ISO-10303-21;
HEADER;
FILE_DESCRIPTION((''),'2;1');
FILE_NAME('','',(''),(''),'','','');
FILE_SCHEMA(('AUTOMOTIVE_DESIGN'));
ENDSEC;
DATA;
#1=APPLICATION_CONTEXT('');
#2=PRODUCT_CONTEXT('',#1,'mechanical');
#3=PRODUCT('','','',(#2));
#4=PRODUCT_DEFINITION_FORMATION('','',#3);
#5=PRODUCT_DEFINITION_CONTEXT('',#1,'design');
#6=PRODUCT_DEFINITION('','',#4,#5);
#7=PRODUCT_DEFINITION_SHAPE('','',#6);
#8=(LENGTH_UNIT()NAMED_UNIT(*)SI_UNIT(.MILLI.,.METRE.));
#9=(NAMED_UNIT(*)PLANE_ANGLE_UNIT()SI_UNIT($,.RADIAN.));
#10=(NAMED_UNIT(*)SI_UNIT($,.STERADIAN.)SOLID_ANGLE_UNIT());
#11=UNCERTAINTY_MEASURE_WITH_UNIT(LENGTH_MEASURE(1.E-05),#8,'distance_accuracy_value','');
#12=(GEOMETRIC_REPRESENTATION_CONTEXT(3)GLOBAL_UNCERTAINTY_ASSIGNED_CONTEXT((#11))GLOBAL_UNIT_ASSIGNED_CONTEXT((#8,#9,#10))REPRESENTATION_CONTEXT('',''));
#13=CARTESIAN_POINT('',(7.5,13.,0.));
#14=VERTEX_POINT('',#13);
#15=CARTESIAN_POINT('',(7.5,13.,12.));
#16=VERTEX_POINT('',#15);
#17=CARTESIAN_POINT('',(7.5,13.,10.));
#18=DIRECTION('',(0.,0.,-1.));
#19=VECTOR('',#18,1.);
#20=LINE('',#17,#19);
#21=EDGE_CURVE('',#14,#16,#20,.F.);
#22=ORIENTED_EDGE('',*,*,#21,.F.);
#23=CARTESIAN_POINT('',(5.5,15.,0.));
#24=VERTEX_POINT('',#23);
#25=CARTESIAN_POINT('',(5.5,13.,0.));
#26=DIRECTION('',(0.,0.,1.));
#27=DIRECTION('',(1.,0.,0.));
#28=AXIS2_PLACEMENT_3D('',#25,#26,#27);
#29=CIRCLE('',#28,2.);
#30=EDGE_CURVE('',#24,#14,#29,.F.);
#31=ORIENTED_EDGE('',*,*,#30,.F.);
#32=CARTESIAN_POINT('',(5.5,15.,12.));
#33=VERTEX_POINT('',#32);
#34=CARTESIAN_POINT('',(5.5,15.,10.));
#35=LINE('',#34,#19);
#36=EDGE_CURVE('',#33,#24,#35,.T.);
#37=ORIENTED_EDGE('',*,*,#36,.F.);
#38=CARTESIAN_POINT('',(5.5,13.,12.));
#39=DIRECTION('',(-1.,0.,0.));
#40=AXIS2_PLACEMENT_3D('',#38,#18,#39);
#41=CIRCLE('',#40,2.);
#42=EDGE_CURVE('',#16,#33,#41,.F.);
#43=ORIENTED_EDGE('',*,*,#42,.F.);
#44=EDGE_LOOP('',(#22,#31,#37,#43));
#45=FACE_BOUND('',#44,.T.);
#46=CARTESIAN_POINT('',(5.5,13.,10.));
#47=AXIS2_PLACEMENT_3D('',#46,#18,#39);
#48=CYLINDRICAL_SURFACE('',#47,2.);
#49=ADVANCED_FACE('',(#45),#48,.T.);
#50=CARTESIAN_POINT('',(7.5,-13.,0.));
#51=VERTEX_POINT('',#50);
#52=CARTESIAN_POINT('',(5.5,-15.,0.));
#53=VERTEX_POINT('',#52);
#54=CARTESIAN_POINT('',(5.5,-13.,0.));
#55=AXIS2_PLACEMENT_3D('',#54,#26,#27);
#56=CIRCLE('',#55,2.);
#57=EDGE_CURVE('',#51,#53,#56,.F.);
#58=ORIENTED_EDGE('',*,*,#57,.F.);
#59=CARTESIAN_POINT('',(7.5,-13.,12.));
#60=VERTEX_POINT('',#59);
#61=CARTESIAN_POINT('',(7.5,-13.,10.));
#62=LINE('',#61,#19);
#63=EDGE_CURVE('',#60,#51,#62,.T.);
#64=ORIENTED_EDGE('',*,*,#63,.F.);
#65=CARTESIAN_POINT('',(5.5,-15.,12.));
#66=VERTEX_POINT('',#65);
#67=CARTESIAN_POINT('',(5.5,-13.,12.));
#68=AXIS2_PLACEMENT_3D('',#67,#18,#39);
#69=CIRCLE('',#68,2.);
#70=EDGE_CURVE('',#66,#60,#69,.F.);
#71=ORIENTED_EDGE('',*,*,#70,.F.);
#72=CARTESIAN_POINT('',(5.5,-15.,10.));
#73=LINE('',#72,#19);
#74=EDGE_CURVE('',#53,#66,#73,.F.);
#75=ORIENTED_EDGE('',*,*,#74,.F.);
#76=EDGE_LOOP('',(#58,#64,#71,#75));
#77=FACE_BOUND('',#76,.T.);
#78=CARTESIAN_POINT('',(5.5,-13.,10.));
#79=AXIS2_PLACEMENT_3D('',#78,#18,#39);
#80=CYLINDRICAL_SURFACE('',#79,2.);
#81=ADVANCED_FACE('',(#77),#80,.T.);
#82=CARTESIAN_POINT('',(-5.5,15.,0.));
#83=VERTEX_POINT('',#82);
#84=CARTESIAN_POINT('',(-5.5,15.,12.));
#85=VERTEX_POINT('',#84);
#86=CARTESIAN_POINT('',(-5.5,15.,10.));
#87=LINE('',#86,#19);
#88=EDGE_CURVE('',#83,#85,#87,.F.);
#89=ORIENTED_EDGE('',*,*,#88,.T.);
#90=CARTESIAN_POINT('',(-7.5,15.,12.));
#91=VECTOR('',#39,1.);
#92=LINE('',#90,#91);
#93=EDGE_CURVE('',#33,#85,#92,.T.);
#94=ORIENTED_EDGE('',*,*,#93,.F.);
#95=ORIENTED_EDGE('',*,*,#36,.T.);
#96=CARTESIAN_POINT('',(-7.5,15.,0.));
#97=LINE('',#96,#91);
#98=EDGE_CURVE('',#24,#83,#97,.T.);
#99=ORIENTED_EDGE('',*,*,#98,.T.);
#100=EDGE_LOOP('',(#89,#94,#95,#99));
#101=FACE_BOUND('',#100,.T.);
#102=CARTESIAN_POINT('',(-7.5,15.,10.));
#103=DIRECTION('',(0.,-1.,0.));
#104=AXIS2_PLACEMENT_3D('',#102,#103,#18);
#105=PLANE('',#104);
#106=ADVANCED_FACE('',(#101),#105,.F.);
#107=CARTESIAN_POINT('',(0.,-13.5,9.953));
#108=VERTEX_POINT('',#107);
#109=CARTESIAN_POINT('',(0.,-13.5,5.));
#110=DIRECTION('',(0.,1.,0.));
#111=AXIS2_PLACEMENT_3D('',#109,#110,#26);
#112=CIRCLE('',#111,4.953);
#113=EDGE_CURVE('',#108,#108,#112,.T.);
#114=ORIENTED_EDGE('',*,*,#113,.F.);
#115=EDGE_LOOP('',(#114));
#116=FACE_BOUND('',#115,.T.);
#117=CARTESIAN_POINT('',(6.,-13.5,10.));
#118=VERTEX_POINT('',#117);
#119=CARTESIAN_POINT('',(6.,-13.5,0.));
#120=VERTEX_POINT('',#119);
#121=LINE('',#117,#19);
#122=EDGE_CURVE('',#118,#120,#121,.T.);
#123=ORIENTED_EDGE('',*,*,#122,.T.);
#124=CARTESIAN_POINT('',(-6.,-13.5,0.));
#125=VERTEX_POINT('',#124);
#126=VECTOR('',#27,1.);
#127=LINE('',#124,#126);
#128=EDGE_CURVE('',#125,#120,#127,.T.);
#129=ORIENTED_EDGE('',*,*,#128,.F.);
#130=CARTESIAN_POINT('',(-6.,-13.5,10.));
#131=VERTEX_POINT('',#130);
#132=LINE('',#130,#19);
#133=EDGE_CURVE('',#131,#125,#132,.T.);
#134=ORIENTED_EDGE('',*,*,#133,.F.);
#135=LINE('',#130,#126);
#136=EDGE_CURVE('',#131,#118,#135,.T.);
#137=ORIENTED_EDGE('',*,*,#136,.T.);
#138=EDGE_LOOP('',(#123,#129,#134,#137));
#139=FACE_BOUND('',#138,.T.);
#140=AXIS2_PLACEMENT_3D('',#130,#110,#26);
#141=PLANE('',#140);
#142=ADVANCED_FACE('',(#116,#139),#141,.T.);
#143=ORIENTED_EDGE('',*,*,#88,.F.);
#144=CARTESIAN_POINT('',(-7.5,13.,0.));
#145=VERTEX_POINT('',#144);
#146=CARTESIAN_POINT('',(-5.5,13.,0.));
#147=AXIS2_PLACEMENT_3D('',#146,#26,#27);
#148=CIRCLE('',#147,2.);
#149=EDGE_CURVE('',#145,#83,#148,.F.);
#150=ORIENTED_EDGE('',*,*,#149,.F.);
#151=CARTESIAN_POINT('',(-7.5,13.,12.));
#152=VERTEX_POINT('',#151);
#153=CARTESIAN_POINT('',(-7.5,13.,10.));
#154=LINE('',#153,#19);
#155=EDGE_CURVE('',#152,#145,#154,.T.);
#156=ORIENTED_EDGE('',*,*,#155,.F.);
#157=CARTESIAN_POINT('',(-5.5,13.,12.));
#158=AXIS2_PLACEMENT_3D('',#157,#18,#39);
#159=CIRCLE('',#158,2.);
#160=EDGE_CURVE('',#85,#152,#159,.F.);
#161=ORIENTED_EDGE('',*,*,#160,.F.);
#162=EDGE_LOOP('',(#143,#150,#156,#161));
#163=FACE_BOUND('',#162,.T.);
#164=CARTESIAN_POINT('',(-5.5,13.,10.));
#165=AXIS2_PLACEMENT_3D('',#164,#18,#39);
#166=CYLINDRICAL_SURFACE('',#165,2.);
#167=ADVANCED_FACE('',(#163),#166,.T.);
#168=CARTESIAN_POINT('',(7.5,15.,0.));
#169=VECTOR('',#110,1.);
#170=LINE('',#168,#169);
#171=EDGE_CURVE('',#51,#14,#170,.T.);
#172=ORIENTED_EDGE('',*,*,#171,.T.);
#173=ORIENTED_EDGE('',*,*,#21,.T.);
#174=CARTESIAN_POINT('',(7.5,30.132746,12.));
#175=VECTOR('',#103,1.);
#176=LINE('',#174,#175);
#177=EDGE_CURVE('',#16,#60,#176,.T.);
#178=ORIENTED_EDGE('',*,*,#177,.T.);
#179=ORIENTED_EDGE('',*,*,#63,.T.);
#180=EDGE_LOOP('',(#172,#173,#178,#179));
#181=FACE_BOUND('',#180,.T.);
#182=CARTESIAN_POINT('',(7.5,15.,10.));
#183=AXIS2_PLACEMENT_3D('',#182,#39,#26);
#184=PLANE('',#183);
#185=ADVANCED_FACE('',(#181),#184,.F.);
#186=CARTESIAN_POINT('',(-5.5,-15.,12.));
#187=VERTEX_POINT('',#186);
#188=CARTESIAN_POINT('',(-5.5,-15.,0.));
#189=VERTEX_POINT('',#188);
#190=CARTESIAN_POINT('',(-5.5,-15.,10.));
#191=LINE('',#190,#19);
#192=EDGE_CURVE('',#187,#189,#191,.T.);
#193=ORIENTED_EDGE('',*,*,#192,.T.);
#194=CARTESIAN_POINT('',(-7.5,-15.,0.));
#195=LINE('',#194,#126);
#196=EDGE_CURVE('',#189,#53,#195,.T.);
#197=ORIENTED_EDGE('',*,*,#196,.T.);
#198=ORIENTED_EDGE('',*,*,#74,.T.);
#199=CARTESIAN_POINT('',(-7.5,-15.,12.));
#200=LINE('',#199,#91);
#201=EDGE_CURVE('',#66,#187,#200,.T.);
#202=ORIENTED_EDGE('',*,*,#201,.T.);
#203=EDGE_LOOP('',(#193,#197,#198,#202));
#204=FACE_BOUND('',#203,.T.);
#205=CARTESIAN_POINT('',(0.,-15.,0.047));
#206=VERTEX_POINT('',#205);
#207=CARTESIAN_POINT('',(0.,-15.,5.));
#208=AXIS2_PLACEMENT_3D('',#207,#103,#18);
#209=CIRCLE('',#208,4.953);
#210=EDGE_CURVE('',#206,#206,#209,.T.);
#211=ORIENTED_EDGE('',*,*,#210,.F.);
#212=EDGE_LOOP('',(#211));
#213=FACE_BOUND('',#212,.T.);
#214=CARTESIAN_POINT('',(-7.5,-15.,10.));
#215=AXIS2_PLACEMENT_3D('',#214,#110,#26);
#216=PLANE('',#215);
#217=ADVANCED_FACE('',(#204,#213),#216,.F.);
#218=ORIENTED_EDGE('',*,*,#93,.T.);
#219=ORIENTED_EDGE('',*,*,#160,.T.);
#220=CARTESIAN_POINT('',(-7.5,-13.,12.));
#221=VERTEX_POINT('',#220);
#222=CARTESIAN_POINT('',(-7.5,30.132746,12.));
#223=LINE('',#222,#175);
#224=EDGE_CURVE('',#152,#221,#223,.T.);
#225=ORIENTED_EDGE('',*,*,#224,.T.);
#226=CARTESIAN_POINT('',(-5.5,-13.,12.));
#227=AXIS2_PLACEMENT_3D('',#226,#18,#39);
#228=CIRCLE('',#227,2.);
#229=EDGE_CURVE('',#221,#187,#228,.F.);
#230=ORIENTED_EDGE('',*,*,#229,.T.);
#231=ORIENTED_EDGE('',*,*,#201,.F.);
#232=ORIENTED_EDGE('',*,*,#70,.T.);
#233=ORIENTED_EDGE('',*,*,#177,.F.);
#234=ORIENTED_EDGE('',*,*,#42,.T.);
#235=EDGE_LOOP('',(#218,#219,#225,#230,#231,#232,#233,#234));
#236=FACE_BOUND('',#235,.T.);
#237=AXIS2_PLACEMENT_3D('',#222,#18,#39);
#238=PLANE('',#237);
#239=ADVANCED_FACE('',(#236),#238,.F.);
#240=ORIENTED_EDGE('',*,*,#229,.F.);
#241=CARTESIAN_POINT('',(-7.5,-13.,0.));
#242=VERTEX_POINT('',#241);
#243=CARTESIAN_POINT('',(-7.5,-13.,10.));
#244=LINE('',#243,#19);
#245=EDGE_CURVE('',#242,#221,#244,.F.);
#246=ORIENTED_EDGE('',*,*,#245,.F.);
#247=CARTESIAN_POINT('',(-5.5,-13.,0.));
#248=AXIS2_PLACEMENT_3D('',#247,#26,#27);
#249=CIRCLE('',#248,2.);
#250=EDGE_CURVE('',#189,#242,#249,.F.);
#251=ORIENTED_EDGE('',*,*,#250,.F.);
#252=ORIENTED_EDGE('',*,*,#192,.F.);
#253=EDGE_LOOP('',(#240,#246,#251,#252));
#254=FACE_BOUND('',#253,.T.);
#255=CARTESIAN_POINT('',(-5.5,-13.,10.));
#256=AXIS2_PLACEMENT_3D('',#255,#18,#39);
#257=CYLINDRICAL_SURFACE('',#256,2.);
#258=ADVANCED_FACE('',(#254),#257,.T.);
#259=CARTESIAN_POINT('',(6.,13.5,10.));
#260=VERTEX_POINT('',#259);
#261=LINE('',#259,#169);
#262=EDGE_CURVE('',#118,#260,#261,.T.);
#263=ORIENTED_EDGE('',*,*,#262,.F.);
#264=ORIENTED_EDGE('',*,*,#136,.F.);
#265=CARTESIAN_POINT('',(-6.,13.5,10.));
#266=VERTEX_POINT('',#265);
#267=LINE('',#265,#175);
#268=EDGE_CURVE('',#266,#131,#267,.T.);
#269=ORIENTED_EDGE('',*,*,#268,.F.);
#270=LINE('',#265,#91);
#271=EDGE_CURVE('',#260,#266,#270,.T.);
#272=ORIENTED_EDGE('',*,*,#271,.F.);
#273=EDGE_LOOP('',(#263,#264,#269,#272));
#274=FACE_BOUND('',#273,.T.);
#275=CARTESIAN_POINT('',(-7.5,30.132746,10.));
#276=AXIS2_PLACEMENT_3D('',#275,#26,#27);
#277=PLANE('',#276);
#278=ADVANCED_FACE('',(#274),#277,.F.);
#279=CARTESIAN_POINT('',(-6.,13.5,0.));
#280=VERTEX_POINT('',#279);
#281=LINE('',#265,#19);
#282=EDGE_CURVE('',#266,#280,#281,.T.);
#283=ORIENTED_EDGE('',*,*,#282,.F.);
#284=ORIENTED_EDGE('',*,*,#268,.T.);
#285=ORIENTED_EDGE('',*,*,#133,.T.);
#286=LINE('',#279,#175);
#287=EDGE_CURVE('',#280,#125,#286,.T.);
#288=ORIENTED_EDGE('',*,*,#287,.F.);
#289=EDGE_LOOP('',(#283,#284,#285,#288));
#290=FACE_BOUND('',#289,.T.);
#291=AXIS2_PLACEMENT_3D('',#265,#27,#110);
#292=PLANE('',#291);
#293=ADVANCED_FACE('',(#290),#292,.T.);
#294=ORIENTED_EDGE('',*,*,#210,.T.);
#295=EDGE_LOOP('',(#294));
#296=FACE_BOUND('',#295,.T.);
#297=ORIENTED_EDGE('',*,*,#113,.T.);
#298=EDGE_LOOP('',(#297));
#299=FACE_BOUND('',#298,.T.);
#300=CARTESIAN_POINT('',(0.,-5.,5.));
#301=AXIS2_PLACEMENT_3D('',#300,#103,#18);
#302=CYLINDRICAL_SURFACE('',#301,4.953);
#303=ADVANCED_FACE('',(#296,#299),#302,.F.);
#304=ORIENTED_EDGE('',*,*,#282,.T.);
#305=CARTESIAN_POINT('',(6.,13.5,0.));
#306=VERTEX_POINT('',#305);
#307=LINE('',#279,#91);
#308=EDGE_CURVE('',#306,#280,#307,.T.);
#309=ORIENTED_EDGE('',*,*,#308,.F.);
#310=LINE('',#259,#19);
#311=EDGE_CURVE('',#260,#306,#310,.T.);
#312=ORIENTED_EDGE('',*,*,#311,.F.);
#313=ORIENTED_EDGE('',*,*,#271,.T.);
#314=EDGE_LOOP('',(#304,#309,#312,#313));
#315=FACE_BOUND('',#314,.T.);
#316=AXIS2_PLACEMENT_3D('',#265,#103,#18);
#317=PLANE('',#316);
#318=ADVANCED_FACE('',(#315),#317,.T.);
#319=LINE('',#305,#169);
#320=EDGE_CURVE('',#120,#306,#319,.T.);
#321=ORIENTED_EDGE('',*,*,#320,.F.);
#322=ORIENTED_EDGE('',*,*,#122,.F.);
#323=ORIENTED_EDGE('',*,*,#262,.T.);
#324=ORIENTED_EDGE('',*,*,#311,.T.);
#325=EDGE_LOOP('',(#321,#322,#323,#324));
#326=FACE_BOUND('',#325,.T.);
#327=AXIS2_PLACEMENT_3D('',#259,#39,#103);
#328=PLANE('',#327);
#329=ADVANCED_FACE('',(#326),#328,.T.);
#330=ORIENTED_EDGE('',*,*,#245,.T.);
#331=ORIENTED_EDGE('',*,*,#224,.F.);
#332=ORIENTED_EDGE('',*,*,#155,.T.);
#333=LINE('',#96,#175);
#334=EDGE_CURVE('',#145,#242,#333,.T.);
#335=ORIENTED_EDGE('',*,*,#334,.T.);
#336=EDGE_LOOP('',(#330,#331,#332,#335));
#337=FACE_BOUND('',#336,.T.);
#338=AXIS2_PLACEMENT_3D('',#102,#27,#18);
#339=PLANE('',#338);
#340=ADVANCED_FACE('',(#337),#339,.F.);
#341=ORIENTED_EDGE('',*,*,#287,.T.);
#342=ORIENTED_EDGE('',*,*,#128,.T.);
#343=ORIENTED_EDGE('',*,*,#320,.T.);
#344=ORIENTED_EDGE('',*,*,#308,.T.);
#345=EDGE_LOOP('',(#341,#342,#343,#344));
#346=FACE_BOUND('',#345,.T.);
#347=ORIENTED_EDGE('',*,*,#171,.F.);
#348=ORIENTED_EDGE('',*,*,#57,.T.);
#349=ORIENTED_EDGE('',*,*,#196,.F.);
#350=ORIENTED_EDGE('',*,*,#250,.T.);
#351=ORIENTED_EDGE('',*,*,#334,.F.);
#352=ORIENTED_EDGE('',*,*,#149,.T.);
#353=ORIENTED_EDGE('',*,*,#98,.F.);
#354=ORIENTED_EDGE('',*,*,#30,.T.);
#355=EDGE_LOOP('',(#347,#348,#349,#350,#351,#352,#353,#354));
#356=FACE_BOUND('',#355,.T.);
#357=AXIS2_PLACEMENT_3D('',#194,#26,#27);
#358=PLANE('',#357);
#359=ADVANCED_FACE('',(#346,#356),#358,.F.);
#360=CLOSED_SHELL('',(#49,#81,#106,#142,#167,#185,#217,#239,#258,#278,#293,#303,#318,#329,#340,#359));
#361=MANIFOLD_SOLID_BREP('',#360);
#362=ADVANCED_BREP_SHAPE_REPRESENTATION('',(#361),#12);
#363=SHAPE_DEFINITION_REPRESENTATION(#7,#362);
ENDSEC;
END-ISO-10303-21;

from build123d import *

# Parameters (mm, degrees)
SKETCH1_W                       = 15
SKETCH1_H                       = 30
SKETCH1_W_2                     = 12
SKETCH1_H_2                     = 27
BOSS_EXTRUDE1_DEPTH             = 10
BOSS_EXTRUDE2_REACH             = 33.121
SKETCH2_W                       = 15
SKETCH2_H                       = 2
BOSS_EXTRUDE2_DIRECTION_2_REACH = 33.121
SKETCH3_R                       = 4.953
CUT_EXTRUDE2_DEPTH              = 10
FILLET1_R                       = 2


with BuildPart() as part:
    # Sketch1 → Boss-Extrude1 (new body)
    with BuildSketch(Plane.XY):
        Rectangle(SKETCH1_W, SKETCH1_H)
        Rectangle(SKETCH1_W_2, SKETCH1_H_2, mode=Mode.SUBTRACT)
    extrude(amount=BOSS_EXTRUDE1_DEPTH)

    # Boss-Extrude2: up to this face of the body (flat: up to its plane)
    boss_extrude2_end = Plane(part.part.faces().sort_by_distance((0, 15, 5))[0])
    # Sketch2 → Boss-Extrude2 (add, up to the picked face)
    with BuildSketch(Plane(origin=(0, -13.5, 0), x_dir=(1, 0, 0), z_dir=(0, 1, 0)), mode=Mode.PRIVATE) as boss_extrude2_sk1:
        with Locations((0, -11)):
            Rectangle(SKETCH2_W, SKETCH2_H)
    boss_extrude2_tool1 = split(extrude(boss_extrude2_sk1.sketch, amount=BOSS_EXTRUDE2_REACH, mode=Mode.PRIVATE), bisect_by=boss_extrude2_end, keep=Keep.BOTH, mode=Mode.PRIVATE)
    add(boss_extrude2_tool1.solids().sort_by(Axis((0, -13.5, 11), (0, 1, 0)))[0])

    # Boss-Extrude2 direction 2: up to this face of the body (flat: up to its plane)
    boss_extrude2_direction_2_end = Plane(part.part.faces().sort_by_distance((0, -15, 5))[0])
    # Sketch2 → Boss-Extrude2 direction 2 (add, up to the picked face)
    with BuildSketch(Plane(origin=(0, -13.5, 0), x_dir=(1, 0, 0), z_dir=(0, 1, 0)), mode=Mode.PRIVATE) as boss_extrude2_direction_2_sk1:
        with Locations((0, -11)):
            Rectangle(SKETCH2_W, SKETCH2_H)
    boss_extrude2_direction_2_tool1 = split(extrude(boss_extrude2_direction_2_sk1.sketch, amount=-BOSS_EXTRUDE2_DIRECTION_2_REACH, mode=Mode.PRIVATE), bisect_by=boss_extrude2_direction_2_end, keep=Keep.BOTH, mode=Mode.PRIVATE)
    add(boss_extrude2_direction_2_tool1.solids().sort_by(Axis((0, -13.5, 11), (0, -1, 0)))[0])

    # Sketch3 → Cut-Extrude2 (cut)
    with BuildSketch(Plane.XZ.offset(15)):
        with Locations(Location((0, 5, 0), (0, 0, 270))):
            Circle(SKETCH3_R)
    extrude(amount=-CUT_EXTRUDE2_DEPTH, mode=Mode.SUBTRACT)

    # Fillet1
    fillet1_edges = [part.edges().sort_by_distance(p)[0] for p in [
        (-7.5, 15, 6),
        (7.5, 15, 6),
        (7.5, -15, 6),
        (-7.5, -15, 6),
    ]]
    fillet(fillet1_edges, radius=FILLET1_R)


solid = part.part
